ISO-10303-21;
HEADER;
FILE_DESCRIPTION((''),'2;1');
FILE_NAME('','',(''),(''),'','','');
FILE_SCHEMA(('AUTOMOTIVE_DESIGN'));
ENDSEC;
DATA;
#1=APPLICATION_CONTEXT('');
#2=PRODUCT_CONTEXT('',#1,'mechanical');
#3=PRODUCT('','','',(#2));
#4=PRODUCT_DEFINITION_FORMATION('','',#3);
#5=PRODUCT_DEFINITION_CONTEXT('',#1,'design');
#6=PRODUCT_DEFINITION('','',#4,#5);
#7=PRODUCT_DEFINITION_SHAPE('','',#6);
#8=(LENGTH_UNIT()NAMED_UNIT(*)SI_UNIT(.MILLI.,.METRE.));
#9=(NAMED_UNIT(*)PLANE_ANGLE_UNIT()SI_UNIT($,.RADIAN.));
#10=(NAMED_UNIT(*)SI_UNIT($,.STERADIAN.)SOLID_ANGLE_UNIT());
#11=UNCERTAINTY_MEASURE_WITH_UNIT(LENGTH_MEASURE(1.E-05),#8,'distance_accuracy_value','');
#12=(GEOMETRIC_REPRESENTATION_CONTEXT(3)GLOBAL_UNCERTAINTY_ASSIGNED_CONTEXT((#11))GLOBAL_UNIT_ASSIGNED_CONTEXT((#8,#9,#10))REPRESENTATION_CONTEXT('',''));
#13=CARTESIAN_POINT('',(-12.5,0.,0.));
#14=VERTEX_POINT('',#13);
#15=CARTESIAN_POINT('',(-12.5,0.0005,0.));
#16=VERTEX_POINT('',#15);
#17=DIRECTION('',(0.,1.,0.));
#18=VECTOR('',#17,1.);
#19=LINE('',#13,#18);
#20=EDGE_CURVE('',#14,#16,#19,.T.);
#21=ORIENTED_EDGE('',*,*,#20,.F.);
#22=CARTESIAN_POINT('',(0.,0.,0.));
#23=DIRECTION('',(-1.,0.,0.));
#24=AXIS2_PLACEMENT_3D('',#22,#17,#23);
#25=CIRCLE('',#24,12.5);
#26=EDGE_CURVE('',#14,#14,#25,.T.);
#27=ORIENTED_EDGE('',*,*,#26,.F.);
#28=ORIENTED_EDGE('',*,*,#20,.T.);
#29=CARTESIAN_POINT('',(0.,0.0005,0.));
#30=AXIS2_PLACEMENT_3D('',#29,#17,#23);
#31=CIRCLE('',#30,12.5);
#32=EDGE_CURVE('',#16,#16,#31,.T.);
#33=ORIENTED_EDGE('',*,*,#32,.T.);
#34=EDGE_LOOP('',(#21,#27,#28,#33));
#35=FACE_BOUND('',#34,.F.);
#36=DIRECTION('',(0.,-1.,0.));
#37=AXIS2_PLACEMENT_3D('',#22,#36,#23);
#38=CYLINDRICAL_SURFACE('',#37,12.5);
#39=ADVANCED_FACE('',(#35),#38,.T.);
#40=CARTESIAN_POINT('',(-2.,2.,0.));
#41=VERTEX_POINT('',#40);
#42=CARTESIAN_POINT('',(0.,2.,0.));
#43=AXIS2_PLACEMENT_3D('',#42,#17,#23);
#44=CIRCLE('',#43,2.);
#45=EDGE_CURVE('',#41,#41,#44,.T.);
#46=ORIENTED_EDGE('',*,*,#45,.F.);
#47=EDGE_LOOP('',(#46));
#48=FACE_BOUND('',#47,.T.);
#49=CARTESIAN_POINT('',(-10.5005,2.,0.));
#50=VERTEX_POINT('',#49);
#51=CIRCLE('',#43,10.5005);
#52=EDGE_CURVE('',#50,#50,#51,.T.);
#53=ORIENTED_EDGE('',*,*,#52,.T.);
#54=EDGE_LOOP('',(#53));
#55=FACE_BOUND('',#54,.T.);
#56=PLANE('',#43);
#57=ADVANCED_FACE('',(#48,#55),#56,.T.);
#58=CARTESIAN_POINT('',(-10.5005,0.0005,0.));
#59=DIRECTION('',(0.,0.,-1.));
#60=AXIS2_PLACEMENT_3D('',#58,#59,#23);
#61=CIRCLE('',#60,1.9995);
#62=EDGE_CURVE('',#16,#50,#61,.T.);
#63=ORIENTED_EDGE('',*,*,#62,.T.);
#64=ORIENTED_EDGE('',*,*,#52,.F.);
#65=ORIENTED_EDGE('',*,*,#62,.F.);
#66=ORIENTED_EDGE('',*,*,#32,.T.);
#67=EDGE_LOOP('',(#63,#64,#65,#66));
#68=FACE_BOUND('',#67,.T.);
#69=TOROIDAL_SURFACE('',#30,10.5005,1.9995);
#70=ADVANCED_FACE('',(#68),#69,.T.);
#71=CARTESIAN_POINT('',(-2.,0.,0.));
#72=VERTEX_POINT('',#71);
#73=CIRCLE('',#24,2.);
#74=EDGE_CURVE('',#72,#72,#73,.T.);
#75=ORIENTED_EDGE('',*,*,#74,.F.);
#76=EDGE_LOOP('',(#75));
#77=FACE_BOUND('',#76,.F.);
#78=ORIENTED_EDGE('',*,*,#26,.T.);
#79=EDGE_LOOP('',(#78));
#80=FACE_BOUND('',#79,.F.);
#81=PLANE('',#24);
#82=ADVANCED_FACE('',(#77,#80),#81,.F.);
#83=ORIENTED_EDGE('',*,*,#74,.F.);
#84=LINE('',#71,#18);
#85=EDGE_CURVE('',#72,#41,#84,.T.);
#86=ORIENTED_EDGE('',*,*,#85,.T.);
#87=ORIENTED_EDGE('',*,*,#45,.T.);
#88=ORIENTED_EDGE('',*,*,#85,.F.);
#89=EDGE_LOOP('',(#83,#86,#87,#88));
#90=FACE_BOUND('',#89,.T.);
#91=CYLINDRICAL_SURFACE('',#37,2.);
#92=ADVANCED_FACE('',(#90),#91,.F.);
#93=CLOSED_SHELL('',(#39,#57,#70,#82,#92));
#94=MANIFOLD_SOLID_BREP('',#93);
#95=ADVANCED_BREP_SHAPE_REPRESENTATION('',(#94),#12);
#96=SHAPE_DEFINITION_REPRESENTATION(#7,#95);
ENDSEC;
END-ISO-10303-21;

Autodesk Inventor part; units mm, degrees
ref_plane "YZ Plane" through (0, 0, 0) normal (1, 0, 0) x (0, 1, 0)
ref_plane "XZ Plane" through (0, 0, 0) normal (0, 1, 0) x (-1, 0, 0)
ref_plane "XY Plane" through (0, 0, 0) normal (0, 0, 1) x (1, 0, 0)
sketch "Szkic1" plane through (0, 0, 0) normal (0, 1, 0) x (-1, 0, 0)
  circle A0 centre (0, 0) radius 12.5
  circle A1 centre (0, 0) radius 2
  dimension "d0" = 25
  dimension "d1" = 4
extrude "Wyciągnięcie proste1" add sketch "Szkic1" along normal blind 2
fillet "Zaokrąglenie1" radius 2 1 edges at (12.5, 2, 0)
properties part number "tarcza_wal"
